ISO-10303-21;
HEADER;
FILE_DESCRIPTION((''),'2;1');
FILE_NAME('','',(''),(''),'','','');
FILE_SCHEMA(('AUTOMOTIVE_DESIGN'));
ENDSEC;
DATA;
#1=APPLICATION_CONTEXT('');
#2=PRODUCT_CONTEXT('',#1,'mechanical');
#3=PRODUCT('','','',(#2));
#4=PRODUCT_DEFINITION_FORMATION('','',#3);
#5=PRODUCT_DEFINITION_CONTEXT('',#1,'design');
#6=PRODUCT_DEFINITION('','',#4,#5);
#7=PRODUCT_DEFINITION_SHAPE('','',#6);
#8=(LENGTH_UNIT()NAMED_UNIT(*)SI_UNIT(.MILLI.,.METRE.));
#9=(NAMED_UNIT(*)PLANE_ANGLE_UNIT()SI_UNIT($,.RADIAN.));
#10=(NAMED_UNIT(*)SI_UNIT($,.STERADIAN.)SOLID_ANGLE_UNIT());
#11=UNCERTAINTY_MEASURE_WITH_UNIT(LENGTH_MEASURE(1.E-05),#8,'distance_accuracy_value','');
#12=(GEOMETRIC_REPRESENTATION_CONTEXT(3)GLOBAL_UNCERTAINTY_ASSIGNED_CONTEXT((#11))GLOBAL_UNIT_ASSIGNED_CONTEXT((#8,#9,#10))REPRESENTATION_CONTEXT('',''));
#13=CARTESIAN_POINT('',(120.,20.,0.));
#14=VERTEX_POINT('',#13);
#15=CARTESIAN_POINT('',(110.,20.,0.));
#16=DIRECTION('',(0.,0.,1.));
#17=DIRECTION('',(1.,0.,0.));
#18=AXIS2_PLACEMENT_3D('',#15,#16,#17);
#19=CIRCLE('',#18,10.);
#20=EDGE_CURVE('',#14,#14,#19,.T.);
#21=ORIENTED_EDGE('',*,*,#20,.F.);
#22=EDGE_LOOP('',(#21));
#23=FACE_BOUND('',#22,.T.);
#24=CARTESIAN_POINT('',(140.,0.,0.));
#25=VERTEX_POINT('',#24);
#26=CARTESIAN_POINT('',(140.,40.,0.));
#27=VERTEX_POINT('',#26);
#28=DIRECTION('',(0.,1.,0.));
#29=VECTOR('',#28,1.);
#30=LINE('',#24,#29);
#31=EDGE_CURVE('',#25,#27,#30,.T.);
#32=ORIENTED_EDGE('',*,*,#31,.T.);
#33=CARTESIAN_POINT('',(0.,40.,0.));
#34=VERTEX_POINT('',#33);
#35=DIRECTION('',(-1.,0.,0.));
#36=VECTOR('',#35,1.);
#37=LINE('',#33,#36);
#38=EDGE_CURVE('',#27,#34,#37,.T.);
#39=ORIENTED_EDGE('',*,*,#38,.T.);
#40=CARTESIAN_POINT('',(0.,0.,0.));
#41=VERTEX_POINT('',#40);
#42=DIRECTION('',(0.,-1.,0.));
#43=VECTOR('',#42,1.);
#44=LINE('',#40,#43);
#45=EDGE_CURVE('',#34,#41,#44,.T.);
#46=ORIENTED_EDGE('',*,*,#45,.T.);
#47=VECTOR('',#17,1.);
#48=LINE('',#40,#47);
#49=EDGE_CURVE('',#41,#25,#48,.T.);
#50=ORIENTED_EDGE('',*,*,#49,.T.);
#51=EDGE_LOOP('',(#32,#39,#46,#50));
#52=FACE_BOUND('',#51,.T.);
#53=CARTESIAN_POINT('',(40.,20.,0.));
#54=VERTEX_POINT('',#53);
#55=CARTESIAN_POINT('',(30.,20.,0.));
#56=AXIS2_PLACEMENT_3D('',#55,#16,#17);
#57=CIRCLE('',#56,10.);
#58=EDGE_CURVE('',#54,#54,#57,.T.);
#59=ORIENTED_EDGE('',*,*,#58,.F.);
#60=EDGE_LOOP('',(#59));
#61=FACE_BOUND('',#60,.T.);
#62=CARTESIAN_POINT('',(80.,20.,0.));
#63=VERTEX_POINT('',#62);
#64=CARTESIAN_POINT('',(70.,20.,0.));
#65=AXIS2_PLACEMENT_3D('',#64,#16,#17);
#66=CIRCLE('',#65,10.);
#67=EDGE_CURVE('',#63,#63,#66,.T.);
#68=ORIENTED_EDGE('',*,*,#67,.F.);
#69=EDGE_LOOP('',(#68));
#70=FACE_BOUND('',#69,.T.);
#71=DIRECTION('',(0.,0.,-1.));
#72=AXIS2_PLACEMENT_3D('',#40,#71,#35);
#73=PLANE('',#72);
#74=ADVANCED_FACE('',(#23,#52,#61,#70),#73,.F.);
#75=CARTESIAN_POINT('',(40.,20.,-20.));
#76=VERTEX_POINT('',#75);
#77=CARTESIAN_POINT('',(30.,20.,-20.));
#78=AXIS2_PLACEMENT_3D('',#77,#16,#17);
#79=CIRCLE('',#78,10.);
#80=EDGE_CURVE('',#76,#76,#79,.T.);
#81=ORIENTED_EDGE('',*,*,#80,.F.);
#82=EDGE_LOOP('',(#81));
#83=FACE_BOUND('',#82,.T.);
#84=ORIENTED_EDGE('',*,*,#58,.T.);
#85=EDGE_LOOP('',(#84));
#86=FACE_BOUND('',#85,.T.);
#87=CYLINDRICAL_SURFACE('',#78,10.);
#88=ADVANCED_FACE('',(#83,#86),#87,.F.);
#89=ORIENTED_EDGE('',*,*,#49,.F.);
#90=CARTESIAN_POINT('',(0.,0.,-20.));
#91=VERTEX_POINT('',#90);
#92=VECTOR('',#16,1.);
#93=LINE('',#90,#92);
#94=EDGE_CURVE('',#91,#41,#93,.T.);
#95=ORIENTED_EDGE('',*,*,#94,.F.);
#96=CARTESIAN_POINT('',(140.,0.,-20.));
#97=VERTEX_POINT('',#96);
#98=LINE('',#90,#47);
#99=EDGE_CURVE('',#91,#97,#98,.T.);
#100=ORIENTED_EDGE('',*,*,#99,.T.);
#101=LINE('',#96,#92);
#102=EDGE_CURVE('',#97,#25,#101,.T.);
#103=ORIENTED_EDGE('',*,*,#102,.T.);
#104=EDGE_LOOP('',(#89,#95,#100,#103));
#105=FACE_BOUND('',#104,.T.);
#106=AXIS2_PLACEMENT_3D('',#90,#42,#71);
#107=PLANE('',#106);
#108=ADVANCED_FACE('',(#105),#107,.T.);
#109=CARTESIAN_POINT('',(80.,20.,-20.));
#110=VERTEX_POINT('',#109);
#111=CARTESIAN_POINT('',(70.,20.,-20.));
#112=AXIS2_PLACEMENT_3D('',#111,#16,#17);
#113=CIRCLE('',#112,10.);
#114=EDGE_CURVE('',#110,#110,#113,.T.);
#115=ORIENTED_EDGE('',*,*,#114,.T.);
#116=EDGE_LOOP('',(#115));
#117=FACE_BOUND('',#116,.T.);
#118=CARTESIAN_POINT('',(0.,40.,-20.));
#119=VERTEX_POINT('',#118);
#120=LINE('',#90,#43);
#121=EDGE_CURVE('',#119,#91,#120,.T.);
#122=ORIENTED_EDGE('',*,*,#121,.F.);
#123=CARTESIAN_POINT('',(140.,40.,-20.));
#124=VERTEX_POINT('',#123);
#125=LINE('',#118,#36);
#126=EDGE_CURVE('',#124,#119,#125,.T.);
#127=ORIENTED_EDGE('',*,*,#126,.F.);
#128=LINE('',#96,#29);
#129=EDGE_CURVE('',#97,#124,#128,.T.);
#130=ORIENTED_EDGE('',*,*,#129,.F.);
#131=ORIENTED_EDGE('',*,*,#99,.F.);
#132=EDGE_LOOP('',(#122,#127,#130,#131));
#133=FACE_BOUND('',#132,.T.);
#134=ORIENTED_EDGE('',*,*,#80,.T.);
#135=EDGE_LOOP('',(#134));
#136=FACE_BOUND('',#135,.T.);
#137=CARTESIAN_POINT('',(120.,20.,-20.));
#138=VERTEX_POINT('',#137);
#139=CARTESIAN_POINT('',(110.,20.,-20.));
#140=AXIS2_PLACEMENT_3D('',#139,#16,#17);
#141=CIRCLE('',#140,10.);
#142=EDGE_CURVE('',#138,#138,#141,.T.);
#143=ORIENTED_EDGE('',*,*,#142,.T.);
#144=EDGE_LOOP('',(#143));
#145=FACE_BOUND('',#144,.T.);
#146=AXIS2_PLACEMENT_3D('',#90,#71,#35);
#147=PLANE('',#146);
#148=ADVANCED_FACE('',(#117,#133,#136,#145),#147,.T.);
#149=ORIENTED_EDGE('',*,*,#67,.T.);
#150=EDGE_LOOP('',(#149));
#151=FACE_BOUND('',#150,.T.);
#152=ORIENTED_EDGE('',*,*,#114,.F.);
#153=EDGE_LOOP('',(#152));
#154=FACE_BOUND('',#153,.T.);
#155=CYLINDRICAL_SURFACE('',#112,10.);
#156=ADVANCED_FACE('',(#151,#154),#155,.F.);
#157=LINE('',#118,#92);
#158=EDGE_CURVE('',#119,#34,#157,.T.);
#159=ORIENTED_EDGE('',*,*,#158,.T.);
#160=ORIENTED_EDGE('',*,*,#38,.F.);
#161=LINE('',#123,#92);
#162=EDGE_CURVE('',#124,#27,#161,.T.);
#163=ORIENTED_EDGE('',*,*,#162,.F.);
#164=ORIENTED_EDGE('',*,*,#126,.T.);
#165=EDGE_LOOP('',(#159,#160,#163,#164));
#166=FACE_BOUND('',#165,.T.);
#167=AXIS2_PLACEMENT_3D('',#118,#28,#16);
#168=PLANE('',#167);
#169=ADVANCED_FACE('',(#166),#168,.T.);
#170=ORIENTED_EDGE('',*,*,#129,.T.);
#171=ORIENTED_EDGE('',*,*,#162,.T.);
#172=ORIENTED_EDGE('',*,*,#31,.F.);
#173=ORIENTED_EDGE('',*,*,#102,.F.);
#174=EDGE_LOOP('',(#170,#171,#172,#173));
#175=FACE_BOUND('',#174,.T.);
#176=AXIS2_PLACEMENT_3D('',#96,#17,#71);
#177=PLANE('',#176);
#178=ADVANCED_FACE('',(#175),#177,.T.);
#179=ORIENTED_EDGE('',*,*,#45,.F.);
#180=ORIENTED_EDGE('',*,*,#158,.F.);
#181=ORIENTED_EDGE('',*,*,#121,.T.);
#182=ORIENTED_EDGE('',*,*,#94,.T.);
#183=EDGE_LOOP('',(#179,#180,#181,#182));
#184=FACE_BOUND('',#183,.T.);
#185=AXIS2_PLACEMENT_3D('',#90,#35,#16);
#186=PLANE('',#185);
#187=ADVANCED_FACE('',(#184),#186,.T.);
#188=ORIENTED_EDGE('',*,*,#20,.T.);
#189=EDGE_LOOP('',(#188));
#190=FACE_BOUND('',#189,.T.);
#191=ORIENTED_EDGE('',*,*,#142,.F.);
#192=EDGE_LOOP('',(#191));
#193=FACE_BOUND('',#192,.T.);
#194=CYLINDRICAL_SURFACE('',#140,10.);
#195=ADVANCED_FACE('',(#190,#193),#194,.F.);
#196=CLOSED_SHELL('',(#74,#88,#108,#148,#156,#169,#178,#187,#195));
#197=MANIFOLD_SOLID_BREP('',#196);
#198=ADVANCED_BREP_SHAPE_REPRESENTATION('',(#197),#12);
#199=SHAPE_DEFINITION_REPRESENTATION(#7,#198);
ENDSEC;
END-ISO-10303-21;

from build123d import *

# Parameters (mm, degrees)
SKETCH1_W           = 140
SKETCH1_H           = 40
SKETCH1_R           = 10
BOSS_EXTRUDE1_DEPTH = 20


with BuildPart() as part:
    # Sketch1 → Boss-Extrude1 (new body)
    with BuildSketch(Plane.XY):
        with Locations((70, 20)):
            Rectangle(SKETCH1_W, SKETCH1_H)
        with Locations((30, 20)):
            Circle(SKETCH1_R, mode=Mode.SUBTRACT)
        with Locations((70, 20)):
            Circle(SKETCH1_R, mode=Mode.SUBTRACT)
        with Locations((110, 20)):
            Circle(SKETCH1_R, mode=Mode.SUBTRACT)
    extrude(amount=-BOSS_EXTRUDE1_DEPTH)


solid = part.part
